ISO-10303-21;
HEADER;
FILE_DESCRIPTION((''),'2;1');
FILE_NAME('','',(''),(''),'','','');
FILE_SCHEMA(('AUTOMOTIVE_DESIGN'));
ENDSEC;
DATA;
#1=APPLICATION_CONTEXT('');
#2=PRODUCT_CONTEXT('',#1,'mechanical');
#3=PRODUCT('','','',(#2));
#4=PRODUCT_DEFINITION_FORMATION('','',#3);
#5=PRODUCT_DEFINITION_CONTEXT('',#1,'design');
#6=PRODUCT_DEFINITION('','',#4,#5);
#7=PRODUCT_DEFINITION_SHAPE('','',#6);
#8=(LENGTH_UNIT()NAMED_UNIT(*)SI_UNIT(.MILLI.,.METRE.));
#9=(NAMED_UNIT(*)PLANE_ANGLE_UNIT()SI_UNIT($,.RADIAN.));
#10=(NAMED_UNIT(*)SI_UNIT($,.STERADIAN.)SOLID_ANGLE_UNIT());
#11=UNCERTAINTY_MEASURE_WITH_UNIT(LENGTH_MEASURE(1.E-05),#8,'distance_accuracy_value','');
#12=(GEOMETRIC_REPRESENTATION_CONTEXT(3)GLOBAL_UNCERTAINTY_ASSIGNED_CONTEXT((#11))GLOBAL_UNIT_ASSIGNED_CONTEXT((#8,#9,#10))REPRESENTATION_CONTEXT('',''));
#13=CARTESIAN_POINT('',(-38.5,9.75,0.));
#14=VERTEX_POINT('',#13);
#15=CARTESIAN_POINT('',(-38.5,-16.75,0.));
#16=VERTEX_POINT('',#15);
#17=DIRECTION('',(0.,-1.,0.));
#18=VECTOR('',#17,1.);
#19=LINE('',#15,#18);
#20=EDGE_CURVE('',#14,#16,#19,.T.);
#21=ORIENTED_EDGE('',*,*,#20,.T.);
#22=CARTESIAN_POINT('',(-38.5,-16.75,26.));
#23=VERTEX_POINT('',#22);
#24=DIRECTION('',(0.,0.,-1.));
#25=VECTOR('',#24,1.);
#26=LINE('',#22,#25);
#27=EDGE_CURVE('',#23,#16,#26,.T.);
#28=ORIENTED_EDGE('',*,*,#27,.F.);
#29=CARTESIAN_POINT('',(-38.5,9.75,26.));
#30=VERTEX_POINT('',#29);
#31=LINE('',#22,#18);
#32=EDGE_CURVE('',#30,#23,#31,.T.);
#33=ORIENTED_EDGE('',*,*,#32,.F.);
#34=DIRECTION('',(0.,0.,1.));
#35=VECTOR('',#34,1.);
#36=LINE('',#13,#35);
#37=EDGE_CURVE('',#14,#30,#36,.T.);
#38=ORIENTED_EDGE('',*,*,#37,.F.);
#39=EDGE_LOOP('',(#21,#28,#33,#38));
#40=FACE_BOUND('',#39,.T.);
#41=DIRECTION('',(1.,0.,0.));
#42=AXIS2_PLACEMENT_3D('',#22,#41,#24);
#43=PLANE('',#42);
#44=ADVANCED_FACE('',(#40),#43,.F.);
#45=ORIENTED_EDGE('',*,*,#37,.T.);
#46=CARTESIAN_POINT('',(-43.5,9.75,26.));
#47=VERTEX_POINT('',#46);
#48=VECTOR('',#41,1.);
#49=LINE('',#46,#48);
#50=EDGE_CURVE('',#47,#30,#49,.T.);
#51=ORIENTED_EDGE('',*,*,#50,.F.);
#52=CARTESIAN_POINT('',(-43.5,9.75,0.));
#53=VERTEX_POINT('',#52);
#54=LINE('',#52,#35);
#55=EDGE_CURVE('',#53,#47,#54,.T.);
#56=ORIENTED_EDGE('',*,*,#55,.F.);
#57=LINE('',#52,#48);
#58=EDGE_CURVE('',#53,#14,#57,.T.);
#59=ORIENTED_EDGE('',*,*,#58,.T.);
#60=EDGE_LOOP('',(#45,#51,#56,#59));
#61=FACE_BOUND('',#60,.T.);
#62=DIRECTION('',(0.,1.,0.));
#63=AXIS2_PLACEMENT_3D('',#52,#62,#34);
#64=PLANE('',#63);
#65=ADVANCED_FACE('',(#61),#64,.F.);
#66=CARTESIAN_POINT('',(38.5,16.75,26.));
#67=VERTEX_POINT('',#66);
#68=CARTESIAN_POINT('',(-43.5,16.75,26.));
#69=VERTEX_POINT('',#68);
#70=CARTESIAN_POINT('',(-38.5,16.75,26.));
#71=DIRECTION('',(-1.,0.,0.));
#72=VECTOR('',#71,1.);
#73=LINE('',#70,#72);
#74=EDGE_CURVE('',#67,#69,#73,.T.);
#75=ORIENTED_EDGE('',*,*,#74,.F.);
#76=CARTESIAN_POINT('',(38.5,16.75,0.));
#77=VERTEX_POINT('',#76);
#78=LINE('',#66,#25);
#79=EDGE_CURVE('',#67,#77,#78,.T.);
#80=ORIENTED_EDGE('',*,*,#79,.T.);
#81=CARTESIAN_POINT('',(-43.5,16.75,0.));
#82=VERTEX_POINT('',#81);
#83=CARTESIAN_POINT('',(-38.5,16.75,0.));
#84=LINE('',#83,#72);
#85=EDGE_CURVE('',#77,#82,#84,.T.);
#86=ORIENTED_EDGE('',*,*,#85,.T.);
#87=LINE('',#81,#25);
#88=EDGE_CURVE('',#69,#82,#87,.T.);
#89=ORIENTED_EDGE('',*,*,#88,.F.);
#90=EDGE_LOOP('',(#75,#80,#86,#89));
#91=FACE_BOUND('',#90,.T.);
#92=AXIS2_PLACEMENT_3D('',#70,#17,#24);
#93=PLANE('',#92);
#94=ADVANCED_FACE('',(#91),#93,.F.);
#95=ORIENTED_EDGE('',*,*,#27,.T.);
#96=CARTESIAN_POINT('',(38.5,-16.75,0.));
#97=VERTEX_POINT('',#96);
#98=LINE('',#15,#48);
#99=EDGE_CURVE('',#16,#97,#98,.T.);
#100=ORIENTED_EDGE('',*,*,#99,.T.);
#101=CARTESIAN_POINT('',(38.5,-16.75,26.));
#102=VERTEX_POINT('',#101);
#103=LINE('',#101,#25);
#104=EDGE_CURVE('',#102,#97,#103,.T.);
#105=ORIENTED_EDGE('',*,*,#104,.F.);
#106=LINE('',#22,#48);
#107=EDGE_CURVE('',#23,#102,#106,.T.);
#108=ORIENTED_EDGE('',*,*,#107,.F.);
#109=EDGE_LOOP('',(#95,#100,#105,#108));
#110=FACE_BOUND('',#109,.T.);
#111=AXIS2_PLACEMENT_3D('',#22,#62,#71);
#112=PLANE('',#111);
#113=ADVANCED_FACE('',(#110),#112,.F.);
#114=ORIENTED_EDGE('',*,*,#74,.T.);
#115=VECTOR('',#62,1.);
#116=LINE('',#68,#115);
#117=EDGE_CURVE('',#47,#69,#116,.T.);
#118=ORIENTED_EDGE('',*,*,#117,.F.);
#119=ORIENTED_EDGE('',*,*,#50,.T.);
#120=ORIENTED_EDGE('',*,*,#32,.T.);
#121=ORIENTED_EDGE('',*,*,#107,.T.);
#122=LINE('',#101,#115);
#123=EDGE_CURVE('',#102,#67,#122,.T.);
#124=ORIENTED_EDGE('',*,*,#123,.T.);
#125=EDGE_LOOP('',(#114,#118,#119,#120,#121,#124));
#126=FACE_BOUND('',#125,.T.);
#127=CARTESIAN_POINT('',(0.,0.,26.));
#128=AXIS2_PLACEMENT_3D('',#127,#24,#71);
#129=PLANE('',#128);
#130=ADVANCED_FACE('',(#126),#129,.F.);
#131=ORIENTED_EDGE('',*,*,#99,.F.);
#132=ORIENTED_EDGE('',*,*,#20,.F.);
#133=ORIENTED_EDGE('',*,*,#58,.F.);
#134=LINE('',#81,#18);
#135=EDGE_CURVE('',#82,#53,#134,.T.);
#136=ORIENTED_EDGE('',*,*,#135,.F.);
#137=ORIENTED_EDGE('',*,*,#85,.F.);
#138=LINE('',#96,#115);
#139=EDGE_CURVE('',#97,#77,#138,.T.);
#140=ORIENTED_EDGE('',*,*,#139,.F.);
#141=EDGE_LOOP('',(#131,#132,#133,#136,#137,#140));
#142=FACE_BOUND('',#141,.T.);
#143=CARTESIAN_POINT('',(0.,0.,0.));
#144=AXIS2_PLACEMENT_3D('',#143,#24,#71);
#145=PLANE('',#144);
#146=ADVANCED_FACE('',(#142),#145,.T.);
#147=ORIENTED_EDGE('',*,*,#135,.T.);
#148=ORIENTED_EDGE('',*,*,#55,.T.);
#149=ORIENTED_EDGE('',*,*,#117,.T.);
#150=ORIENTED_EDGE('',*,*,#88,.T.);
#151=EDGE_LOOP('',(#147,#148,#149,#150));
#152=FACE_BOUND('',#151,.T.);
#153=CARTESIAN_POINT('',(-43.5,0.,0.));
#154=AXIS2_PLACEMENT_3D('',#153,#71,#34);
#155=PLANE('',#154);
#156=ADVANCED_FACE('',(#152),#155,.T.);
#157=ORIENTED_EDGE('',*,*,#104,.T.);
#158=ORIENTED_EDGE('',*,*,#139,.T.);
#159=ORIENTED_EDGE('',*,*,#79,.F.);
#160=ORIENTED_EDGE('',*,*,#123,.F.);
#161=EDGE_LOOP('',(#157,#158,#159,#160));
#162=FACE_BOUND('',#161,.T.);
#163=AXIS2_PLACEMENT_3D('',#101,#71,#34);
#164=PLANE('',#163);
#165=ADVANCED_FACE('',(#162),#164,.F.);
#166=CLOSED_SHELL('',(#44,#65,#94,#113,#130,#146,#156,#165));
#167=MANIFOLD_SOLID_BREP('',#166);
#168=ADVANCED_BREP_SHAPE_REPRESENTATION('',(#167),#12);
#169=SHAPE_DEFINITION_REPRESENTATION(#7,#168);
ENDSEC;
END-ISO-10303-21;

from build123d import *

# Parameters (mm, degrees)
SKETCH2_W           = 77
SKETCH2_H           = 33.5
BOSS_EXTRUDE1_DEPTH = 26
SKETCH3_W           = 26
SKETCH3_H           = 7
BOSS_EXTRUDE2_DEPTH = 5


with BuildPart() as part:
    # Sketch2 → Boss-Extrude1 (new body)
    with BuildSketch(Plane.XY):
        Rectangle(SKETCH2_W, SKETCH2_H)
    extrude(amount=BOSS_EXTRUDE1_DEPTH)

    # Sketch3 → Boss-Extrude2 (add)
    with BuildSketch(Plane.ZY.offset(38.5)):
        with Locations((13, 13.25)):
            Rectangle(SKETCH3_W, SKETCH3_H)
    extrude(amount=BOSS_EXTRUDE2_DEPTH)


solid = part.part
